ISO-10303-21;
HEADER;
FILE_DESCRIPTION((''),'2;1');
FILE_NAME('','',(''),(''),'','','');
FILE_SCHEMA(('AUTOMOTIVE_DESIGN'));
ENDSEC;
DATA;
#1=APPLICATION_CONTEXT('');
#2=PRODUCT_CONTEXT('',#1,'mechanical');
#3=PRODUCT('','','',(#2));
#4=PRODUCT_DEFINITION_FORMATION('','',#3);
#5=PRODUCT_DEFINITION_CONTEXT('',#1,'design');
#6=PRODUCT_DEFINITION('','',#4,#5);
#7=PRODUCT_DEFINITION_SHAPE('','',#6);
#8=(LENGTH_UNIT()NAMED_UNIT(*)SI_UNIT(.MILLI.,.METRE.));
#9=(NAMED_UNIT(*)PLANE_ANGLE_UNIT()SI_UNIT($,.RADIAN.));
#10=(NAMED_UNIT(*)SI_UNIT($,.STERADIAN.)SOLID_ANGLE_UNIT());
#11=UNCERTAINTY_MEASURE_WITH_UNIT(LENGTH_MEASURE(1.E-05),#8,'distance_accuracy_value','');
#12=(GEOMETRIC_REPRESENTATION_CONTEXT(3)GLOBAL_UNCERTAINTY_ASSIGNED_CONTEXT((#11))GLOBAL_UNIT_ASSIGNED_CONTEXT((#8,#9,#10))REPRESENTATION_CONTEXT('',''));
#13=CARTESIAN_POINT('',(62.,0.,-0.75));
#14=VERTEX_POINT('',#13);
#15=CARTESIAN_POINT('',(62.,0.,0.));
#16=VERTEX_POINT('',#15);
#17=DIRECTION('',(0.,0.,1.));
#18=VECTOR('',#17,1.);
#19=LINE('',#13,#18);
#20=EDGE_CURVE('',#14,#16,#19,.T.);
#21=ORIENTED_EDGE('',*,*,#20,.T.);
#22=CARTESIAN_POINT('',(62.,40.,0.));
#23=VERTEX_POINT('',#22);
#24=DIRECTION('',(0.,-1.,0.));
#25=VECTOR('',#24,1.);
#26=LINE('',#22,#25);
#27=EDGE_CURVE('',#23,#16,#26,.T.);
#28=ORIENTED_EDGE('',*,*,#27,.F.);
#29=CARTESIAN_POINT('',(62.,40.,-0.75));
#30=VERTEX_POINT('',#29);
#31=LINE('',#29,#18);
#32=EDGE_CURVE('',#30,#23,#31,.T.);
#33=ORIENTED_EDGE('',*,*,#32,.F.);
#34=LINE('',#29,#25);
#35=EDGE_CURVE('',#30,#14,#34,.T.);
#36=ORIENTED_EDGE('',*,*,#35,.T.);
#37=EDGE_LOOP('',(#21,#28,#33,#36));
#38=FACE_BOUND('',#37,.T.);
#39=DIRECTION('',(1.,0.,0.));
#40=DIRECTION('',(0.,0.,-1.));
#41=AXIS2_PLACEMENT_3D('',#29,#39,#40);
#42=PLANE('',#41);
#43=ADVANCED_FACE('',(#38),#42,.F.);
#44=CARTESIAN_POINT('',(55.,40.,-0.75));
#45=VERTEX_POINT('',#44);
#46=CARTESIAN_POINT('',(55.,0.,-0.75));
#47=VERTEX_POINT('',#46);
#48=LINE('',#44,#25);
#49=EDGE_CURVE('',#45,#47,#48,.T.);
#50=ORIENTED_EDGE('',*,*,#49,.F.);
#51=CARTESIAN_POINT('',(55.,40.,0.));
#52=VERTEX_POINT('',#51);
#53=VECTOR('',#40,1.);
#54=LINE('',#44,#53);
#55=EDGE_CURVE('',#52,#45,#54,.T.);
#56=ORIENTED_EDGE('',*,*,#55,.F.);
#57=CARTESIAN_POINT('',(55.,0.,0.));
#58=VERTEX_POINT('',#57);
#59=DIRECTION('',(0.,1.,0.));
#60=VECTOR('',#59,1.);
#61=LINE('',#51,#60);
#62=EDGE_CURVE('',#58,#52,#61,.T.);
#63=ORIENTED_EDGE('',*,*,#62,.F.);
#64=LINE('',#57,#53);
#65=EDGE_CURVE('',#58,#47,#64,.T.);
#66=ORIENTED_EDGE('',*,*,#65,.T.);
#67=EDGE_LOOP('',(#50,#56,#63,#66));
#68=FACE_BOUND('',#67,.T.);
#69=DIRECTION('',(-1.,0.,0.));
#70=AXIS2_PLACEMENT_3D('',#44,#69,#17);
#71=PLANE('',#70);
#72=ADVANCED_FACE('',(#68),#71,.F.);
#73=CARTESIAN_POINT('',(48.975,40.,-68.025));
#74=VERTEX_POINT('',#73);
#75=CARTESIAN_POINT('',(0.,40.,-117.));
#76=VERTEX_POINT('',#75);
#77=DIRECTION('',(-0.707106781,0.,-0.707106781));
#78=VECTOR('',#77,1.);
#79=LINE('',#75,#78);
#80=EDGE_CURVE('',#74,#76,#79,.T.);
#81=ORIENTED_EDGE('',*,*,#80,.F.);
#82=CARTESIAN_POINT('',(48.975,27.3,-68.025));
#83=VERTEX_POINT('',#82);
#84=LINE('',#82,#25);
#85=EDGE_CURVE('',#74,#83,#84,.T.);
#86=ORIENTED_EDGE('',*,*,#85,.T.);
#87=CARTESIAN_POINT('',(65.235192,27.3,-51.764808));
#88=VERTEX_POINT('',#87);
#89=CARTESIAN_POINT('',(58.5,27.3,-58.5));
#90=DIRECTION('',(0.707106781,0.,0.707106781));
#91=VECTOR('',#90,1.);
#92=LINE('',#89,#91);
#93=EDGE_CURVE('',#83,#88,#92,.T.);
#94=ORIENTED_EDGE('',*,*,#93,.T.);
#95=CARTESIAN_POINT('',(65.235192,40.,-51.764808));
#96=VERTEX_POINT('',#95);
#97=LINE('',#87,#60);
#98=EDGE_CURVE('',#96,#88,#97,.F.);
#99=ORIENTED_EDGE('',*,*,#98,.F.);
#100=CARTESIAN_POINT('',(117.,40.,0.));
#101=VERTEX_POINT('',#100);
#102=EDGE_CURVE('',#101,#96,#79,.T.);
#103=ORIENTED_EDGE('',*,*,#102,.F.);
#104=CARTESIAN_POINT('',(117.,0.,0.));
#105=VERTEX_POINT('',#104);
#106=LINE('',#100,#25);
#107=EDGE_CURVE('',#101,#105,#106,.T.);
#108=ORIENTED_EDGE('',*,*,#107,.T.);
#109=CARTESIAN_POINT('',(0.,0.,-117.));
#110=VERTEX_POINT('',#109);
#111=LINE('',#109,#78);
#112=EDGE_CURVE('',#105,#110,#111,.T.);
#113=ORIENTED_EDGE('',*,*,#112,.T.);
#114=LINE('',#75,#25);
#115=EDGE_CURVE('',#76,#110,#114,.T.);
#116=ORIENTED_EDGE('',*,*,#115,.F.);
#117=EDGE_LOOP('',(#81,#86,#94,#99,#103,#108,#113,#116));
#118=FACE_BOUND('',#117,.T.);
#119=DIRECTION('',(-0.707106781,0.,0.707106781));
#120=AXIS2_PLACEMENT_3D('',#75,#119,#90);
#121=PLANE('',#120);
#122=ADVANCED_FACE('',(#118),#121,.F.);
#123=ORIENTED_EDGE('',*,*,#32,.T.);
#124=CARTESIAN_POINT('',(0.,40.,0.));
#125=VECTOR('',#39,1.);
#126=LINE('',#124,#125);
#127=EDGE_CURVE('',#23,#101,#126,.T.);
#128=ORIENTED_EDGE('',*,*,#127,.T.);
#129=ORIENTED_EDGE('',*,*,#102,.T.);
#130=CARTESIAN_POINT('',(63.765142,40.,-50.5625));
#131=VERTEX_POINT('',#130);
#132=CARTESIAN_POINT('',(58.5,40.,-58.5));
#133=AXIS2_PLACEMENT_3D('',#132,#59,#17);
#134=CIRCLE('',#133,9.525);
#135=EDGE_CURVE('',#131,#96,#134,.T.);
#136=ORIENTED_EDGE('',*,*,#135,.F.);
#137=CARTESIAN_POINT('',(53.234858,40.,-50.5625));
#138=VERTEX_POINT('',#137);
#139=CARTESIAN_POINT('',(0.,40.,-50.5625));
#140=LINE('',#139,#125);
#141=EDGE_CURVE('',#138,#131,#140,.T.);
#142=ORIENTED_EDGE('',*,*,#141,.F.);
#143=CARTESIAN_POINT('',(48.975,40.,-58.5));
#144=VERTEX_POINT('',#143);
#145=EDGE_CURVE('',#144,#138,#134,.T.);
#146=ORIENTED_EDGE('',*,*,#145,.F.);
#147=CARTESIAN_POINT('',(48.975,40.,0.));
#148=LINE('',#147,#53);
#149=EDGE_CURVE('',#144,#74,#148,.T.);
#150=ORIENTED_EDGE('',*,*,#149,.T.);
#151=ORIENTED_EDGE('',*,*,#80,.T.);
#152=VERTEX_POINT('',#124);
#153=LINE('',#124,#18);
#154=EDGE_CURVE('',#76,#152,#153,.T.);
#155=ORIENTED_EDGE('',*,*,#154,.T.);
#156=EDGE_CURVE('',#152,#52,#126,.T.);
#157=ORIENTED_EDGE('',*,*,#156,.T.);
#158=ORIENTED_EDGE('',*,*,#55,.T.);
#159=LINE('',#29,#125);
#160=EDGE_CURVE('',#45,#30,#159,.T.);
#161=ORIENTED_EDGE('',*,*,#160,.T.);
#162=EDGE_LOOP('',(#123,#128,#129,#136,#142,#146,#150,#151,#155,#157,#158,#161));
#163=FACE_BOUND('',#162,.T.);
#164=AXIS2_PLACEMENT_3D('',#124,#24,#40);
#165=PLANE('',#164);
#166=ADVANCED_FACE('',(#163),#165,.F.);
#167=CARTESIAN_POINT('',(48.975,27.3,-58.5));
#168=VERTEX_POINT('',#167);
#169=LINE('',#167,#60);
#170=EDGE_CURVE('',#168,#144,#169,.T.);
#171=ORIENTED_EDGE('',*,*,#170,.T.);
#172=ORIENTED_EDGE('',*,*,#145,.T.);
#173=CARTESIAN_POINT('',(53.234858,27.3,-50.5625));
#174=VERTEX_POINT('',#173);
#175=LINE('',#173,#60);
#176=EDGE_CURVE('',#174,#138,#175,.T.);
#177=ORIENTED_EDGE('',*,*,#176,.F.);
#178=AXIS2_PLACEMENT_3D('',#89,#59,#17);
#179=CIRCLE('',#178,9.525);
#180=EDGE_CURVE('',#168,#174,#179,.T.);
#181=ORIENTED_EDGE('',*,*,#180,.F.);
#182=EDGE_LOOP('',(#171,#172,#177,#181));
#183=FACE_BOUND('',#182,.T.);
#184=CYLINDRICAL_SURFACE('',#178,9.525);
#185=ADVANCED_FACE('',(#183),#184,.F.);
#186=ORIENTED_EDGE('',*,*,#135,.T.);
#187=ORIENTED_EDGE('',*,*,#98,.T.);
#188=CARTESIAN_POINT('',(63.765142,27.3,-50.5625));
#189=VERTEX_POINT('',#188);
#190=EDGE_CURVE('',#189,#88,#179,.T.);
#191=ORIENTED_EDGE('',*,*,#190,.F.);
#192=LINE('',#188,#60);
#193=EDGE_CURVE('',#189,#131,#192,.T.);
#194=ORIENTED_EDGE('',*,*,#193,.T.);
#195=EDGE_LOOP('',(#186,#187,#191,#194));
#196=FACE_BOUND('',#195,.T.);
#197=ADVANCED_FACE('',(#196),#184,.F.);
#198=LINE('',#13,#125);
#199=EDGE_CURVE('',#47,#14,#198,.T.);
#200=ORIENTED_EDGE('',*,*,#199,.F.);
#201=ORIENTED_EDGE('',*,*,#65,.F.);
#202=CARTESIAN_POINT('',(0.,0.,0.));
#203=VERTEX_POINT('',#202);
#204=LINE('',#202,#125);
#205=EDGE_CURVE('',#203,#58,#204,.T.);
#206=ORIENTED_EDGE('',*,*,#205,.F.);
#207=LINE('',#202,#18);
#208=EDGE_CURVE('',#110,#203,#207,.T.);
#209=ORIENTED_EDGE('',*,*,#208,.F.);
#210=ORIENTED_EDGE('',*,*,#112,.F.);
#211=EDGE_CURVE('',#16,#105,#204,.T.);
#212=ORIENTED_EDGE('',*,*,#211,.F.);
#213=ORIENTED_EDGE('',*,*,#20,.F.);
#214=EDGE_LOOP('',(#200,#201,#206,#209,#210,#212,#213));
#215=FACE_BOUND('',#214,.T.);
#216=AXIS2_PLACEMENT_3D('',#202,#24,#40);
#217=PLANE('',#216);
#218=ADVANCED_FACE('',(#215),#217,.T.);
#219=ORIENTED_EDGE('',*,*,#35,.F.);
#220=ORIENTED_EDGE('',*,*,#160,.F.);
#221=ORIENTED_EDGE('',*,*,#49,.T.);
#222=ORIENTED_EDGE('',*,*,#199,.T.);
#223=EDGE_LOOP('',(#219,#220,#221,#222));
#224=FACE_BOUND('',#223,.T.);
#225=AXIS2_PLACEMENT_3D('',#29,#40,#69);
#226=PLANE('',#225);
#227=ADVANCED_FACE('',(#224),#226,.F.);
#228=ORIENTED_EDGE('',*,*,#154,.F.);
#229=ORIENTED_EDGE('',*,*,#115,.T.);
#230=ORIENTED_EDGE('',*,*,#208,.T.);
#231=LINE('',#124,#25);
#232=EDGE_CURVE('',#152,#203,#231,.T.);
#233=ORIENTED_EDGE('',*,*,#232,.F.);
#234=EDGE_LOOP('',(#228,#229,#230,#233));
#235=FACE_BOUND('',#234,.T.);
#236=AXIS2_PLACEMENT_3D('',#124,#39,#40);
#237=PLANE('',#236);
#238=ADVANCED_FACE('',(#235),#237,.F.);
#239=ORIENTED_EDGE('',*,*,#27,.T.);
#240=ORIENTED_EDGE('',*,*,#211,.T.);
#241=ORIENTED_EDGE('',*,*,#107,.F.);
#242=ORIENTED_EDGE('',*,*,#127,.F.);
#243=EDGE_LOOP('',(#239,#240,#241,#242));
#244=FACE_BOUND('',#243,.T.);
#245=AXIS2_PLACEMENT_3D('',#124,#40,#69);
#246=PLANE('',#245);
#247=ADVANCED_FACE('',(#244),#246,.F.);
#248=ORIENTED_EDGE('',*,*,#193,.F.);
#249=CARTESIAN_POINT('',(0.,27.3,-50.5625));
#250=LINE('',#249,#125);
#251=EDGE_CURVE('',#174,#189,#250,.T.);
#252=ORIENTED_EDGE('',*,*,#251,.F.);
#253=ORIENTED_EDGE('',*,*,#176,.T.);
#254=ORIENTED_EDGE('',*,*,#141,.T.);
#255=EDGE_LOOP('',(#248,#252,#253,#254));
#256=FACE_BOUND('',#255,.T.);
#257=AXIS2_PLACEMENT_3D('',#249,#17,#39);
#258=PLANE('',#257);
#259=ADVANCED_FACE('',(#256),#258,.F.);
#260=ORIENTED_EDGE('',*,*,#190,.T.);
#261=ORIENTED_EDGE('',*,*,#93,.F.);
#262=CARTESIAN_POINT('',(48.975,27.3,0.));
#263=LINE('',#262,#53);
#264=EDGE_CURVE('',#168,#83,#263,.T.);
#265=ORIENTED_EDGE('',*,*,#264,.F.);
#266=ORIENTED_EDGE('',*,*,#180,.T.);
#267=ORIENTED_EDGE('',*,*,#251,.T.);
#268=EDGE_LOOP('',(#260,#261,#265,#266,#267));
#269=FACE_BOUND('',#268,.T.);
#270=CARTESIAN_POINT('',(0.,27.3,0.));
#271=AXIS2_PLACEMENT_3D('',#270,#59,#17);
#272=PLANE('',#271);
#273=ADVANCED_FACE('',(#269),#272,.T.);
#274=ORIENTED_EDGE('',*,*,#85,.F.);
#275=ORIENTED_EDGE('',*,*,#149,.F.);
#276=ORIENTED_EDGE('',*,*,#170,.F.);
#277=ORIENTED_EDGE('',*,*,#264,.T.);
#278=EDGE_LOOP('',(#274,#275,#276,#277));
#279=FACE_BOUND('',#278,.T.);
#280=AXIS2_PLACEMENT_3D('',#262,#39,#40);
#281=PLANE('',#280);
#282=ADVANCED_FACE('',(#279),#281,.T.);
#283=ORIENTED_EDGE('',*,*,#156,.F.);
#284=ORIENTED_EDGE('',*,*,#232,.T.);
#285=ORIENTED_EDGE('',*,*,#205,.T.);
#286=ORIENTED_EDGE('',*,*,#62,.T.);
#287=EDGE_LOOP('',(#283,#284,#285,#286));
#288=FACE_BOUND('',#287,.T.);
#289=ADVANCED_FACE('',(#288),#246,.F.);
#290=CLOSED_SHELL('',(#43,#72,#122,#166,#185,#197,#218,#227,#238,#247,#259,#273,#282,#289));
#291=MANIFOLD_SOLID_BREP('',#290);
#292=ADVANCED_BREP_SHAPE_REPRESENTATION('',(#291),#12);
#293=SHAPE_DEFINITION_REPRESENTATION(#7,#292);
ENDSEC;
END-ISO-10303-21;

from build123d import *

# Parameters (mm, degrees)
SKETCH1_W           = 117
SKETCH1_H           = 117
BOSS_EXTRUDE1_DEPTH = 40
SKETCH2_W           = 10.53028371
SKETCH2_H           = 7.9375
CUT_EXTRUDE1_DEPTH  = 12.7
SKETCH7_W           = 7
SKETCH7_H           = 1.5
CUT_EXTRUDE5_DEPTH  = 171.22925718
CIRPATTERN3_COUNT   = 3
CIRPATTERN3_ANGLE   = 180
CUT_EXTRUDE11_DEPTH = 171.22925718


with BuildPart() as part:
    # Sketch1 → Boss-Extrude1 (new body)
    with BuildSketch(Plane(origin=(0, 0, 0), x_dir=(1, 0, 0), z_dir=(0, 1, 0))):
        with Locations((58.5, 58.5)):
            Rectangle(SKETCH1_W, SKETCH1_H)
    extrude(amount=BOSS_EXTRUDE1_DEPTH)

    # Sketch2 → Cut-Extrude1 (cut)
    with BuildSketch(Plane(origin=(0, 40, 0), x_dir=(1, 0, 0), z_dir=(0, 1, 0))):
        with BuildLine():
            ThreePointArc((63.765141855, 66.4375), (66.892737967, 63.004173), (68.025, 58.5))
            Line((68.025, 58.5), (68.025, 74.375))
            Line((68.025, 74.375), (48.975, 74.375))
            Line((48.975, 74.375), (48.975, 58.5))
            ThreePointArc((48.975, 58.5), (50.107262033, 63.004173), (53.234858145, 66.4375))
            ThreePointArc((53.234858145, 66.4375), (58.5, 68.025), (63.765141855, 66.4375))
        make_face()
        with BuildLine():
            ThreePointArc((63.765141855, 50.5625), (66.892737967, 53.995827), (68.025, 58.5))
            Line((68.025, 58.5), (63.765141855, 58.5))
            Line((63.765141855, 58.5), (63.765141855, 50.5625))
        make_face()
        with BuildLine():
            Line((63.765141855, 58.5), (68.025, 58.5))
            ThreePointArc((68.025, 58.5), (66.892737967, 63.004173), (63.765141855, 66.4375))
            Line((63.765141855, 66.4375), (63.765141855, 58.5))
        make_face()
        with BuildLine():
            Line((53.234858145, 50.5625), (53.234858145, 58.5))
            Line((53.234858145, 58.5), (48.975, 58.5))
            ThreePointArc((48.975, 58.5), (50.107262033, 53.995827), (53.234858145, 50.5625))
        make_face()
        with BuildLine():
            Line((48.975, 58.5), (53.234858145, 58.5))
            Line((53.234858145, 58.5), (53.234858145, 66.4375))
            ThreePointArc((53.234858145, 66.4375), (50.107262033, 63.004173), (48.975, 58.5))
        make_face()
        with Locations((58.5, 62.46875)):
            Rectangle(SKETCH2_W, SKETCH2_H)
        with BuildLine():
            Line((53.234858145, 66.4375), (63.765141855, 66.4375))
            ThreePointArc((63.765141855, 66.4375), (58.5, 68.025), (53.234858145, 66.4375))
        make_face()
        with BuildLine():
            ThreePointArc((63.765141855, 50.5625), (66.892737967, 53.995827), (68.025, 58.5))
            Line((68.025, 58.5), (63.765141855, 58.5))
            Line((63.765141855, 58.5), (63.765141855, 50.5625))
        make_face()
        with BuildLine():
            Line((63.765141855, 58.5), (68.025, 58.5))
            ThreePointArc((68.025, 58.5), (66.892737967, 63.004173), (63.765141855, 66.4375))
            Line((63.765141855, 66.4375), (63.765141855, 58.5))
        make_face()
        with BuildLine():
            Line((53.234858145, 50.5625), (53.234858145, 58.5))
            Line((53.234858145, 58.5), (48.975, 58.5))
            ThreePointArc((48.975, 58.5), (50.107262033, 53.995827), (53.234858145, 50.5625))
        make_face()
        with BuildLine():
            Line((48.975, 58.5), (53.234858145, 58.5))
            Line((53.234858145, 58.5), (53.234858145, 66.4375))
            ThreePointArc((53.234858145, 66.4375), (50.107262033, 63.004173), (48.975, 58.5))
        make_face()
        with Locations((58.5, 54.53125)):
            Rectangle(SKETCH2_W, SKETCH2_H)
    extrude(amount=-CUT_EXTRUDE1_DEPTH, mode=Mode.SUBTRACT)

    # Sketch7 → Cut-Extrude5 (cut, through all)
    with BuildSketch(Plane.XZ):
        with Locations((58.5, -117)):
            Rectangle(SKETCH7_W, SKETCH7_H)
    cut_extrude5 = extrude(amount=-CUT_EXTRUDE5_DEPTH, mode=Mode.SUBTRACT)

    # CirPattern3: Cut-Extrude5 ×3 about axis
    cirpattern3_axis = Axis((58.5, 0, -58.5), (0, -1, 0))
    for i in range(1, CIRPATTERN3_COUNT):
        add(cut_extrude5.rotate(cirpattern3_axis, i * CIRPATTERN3_ANGLE / (CIRPATTERN3_COUNT - 1)), mode=Mode.SUBTRACT)

    # Sketch11 → Cut-Extrude11 (cut, through all)
    with BuildSketch(Plane.XZ):
        Polygon((0, -117), (117, 0), (188.640274668, -71.640274668), (71.640274668, -188.640274668), align=None)
    extrude(amount=-CUT_EXTRUDE11_DEPTH, mode=Mode.SUBTRACT)


solid = part.part
